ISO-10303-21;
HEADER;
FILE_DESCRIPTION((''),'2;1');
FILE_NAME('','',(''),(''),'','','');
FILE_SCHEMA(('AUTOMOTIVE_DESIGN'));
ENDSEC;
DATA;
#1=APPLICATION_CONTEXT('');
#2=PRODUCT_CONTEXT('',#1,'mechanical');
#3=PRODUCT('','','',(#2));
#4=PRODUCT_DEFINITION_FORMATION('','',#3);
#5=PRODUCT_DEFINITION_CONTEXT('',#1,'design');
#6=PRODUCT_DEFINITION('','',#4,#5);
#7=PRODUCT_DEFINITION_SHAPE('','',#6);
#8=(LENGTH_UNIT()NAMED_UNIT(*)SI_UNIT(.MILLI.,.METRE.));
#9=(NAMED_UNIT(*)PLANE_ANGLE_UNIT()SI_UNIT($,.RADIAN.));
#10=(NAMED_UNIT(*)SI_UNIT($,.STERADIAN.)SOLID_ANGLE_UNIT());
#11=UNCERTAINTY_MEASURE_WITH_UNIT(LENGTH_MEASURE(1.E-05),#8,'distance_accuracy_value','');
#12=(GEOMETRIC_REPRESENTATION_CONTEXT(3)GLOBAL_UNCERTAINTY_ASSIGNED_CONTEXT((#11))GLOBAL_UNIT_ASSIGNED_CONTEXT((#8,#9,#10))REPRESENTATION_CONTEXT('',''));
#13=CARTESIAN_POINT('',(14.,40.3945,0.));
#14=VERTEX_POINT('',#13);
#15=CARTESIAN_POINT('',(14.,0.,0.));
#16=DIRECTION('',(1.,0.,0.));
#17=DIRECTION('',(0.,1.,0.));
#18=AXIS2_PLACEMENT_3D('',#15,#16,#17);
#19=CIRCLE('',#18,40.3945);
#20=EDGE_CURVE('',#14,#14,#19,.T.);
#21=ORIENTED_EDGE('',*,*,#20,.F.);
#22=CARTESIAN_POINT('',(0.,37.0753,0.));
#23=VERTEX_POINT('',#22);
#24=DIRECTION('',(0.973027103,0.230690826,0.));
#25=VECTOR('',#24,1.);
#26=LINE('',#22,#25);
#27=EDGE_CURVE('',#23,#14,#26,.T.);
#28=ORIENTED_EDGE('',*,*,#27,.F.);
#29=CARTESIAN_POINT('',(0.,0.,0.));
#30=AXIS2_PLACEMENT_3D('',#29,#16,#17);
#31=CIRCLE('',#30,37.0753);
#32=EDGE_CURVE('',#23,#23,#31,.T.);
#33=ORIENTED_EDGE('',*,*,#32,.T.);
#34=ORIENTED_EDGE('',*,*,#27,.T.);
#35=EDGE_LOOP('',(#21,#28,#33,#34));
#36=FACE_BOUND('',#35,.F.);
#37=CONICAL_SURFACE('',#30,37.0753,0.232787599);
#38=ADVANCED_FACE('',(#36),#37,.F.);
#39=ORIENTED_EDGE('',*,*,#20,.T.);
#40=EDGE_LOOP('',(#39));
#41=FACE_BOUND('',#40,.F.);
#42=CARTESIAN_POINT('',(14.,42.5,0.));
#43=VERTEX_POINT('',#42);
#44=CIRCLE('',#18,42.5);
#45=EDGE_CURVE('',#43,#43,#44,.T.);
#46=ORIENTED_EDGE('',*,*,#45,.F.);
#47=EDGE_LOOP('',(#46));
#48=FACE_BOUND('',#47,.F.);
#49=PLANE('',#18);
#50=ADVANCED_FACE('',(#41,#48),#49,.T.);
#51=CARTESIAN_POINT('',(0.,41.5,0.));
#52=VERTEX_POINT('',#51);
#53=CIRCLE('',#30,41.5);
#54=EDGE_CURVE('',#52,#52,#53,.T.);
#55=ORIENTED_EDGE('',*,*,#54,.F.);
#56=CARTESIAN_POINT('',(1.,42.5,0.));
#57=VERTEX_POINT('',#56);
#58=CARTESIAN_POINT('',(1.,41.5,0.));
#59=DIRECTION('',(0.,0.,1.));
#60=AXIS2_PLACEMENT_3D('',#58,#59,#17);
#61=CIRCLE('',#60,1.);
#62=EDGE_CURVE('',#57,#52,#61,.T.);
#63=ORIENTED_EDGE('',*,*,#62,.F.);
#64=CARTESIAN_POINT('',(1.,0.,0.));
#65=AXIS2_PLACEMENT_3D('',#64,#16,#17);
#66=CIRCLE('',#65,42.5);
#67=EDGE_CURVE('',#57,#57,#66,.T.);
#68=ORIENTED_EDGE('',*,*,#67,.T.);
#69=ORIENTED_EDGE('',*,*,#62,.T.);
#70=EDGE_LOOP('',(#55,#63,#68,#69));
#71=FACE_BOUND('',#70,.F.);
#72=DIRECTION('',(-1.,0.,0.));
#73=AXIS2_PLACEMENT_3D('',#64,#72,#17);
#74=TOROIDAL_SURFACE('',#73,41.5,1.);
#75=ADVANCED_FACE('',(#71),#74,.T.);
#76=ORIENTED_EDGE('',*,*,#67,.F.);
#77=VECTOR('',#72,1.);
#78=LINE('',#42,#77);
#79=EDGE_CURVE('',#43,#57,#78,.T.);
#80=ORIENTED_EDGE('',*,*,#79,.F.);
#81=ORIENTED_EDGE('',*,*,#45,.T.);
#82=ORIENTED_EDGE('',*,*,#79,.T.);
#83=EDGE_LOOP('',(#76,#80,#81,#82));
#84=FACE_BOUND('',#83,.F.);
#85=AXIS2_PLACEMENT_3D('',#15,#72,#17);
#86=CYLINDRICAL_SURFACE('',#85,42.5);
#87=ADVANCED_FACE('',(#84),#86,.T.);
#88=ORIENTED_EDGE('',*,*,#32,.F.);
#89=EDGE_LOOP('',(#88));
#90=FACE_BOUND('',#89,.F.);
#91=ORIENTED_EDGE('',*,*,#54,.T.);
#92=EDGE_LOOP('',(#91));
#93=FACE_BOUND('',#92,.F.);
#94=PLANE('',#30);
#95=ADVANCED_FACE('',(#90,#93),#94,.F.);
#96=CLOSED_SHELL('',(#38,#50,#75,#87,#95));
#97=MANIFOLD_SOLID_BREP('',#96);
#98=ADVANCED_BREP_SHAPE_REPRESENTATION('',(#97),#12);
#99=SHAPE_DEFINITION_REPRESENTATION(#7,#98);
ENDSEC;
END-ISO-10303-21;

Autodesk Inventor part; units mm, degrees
sketch "Sketch_1" plane through (0, 0, 0) normal (0, 0, 1) x (1, 0, 0)
  line L0 (14, 0) -> (1, 0)
  line L1 (0, 41.5) -> (0, 37.0753)
  line L2 (0, 37.0753) -> (14, 40.3945)
  line L3 (14, 40.3945) -> (14, 42.5)
  line L4 (14, 42.5) -> (1, 42.5)
  arc A0 (1, 42.5) -> (0, 41.5) centre (1, 41.5) ccw
revolve "Revolution1" add sketch "Sketch_1" angle 360 about axis through (14, 0, 0) along (1, 0, 0)
ref_plane "outer_ring_XY" through (0, 0, 0) normal (0, 0, 1) x (1, 0, 0)
ref_plane "outer_ring_YZ" through (0, 0, 0) normal (1, 0, 0) x (0, 1, 0)
ref_plane "outer_ring_ZX" through (0, 0, 0) normal (0, 1, 0) x (0, 0, 1)
properties part number "32912_or"
